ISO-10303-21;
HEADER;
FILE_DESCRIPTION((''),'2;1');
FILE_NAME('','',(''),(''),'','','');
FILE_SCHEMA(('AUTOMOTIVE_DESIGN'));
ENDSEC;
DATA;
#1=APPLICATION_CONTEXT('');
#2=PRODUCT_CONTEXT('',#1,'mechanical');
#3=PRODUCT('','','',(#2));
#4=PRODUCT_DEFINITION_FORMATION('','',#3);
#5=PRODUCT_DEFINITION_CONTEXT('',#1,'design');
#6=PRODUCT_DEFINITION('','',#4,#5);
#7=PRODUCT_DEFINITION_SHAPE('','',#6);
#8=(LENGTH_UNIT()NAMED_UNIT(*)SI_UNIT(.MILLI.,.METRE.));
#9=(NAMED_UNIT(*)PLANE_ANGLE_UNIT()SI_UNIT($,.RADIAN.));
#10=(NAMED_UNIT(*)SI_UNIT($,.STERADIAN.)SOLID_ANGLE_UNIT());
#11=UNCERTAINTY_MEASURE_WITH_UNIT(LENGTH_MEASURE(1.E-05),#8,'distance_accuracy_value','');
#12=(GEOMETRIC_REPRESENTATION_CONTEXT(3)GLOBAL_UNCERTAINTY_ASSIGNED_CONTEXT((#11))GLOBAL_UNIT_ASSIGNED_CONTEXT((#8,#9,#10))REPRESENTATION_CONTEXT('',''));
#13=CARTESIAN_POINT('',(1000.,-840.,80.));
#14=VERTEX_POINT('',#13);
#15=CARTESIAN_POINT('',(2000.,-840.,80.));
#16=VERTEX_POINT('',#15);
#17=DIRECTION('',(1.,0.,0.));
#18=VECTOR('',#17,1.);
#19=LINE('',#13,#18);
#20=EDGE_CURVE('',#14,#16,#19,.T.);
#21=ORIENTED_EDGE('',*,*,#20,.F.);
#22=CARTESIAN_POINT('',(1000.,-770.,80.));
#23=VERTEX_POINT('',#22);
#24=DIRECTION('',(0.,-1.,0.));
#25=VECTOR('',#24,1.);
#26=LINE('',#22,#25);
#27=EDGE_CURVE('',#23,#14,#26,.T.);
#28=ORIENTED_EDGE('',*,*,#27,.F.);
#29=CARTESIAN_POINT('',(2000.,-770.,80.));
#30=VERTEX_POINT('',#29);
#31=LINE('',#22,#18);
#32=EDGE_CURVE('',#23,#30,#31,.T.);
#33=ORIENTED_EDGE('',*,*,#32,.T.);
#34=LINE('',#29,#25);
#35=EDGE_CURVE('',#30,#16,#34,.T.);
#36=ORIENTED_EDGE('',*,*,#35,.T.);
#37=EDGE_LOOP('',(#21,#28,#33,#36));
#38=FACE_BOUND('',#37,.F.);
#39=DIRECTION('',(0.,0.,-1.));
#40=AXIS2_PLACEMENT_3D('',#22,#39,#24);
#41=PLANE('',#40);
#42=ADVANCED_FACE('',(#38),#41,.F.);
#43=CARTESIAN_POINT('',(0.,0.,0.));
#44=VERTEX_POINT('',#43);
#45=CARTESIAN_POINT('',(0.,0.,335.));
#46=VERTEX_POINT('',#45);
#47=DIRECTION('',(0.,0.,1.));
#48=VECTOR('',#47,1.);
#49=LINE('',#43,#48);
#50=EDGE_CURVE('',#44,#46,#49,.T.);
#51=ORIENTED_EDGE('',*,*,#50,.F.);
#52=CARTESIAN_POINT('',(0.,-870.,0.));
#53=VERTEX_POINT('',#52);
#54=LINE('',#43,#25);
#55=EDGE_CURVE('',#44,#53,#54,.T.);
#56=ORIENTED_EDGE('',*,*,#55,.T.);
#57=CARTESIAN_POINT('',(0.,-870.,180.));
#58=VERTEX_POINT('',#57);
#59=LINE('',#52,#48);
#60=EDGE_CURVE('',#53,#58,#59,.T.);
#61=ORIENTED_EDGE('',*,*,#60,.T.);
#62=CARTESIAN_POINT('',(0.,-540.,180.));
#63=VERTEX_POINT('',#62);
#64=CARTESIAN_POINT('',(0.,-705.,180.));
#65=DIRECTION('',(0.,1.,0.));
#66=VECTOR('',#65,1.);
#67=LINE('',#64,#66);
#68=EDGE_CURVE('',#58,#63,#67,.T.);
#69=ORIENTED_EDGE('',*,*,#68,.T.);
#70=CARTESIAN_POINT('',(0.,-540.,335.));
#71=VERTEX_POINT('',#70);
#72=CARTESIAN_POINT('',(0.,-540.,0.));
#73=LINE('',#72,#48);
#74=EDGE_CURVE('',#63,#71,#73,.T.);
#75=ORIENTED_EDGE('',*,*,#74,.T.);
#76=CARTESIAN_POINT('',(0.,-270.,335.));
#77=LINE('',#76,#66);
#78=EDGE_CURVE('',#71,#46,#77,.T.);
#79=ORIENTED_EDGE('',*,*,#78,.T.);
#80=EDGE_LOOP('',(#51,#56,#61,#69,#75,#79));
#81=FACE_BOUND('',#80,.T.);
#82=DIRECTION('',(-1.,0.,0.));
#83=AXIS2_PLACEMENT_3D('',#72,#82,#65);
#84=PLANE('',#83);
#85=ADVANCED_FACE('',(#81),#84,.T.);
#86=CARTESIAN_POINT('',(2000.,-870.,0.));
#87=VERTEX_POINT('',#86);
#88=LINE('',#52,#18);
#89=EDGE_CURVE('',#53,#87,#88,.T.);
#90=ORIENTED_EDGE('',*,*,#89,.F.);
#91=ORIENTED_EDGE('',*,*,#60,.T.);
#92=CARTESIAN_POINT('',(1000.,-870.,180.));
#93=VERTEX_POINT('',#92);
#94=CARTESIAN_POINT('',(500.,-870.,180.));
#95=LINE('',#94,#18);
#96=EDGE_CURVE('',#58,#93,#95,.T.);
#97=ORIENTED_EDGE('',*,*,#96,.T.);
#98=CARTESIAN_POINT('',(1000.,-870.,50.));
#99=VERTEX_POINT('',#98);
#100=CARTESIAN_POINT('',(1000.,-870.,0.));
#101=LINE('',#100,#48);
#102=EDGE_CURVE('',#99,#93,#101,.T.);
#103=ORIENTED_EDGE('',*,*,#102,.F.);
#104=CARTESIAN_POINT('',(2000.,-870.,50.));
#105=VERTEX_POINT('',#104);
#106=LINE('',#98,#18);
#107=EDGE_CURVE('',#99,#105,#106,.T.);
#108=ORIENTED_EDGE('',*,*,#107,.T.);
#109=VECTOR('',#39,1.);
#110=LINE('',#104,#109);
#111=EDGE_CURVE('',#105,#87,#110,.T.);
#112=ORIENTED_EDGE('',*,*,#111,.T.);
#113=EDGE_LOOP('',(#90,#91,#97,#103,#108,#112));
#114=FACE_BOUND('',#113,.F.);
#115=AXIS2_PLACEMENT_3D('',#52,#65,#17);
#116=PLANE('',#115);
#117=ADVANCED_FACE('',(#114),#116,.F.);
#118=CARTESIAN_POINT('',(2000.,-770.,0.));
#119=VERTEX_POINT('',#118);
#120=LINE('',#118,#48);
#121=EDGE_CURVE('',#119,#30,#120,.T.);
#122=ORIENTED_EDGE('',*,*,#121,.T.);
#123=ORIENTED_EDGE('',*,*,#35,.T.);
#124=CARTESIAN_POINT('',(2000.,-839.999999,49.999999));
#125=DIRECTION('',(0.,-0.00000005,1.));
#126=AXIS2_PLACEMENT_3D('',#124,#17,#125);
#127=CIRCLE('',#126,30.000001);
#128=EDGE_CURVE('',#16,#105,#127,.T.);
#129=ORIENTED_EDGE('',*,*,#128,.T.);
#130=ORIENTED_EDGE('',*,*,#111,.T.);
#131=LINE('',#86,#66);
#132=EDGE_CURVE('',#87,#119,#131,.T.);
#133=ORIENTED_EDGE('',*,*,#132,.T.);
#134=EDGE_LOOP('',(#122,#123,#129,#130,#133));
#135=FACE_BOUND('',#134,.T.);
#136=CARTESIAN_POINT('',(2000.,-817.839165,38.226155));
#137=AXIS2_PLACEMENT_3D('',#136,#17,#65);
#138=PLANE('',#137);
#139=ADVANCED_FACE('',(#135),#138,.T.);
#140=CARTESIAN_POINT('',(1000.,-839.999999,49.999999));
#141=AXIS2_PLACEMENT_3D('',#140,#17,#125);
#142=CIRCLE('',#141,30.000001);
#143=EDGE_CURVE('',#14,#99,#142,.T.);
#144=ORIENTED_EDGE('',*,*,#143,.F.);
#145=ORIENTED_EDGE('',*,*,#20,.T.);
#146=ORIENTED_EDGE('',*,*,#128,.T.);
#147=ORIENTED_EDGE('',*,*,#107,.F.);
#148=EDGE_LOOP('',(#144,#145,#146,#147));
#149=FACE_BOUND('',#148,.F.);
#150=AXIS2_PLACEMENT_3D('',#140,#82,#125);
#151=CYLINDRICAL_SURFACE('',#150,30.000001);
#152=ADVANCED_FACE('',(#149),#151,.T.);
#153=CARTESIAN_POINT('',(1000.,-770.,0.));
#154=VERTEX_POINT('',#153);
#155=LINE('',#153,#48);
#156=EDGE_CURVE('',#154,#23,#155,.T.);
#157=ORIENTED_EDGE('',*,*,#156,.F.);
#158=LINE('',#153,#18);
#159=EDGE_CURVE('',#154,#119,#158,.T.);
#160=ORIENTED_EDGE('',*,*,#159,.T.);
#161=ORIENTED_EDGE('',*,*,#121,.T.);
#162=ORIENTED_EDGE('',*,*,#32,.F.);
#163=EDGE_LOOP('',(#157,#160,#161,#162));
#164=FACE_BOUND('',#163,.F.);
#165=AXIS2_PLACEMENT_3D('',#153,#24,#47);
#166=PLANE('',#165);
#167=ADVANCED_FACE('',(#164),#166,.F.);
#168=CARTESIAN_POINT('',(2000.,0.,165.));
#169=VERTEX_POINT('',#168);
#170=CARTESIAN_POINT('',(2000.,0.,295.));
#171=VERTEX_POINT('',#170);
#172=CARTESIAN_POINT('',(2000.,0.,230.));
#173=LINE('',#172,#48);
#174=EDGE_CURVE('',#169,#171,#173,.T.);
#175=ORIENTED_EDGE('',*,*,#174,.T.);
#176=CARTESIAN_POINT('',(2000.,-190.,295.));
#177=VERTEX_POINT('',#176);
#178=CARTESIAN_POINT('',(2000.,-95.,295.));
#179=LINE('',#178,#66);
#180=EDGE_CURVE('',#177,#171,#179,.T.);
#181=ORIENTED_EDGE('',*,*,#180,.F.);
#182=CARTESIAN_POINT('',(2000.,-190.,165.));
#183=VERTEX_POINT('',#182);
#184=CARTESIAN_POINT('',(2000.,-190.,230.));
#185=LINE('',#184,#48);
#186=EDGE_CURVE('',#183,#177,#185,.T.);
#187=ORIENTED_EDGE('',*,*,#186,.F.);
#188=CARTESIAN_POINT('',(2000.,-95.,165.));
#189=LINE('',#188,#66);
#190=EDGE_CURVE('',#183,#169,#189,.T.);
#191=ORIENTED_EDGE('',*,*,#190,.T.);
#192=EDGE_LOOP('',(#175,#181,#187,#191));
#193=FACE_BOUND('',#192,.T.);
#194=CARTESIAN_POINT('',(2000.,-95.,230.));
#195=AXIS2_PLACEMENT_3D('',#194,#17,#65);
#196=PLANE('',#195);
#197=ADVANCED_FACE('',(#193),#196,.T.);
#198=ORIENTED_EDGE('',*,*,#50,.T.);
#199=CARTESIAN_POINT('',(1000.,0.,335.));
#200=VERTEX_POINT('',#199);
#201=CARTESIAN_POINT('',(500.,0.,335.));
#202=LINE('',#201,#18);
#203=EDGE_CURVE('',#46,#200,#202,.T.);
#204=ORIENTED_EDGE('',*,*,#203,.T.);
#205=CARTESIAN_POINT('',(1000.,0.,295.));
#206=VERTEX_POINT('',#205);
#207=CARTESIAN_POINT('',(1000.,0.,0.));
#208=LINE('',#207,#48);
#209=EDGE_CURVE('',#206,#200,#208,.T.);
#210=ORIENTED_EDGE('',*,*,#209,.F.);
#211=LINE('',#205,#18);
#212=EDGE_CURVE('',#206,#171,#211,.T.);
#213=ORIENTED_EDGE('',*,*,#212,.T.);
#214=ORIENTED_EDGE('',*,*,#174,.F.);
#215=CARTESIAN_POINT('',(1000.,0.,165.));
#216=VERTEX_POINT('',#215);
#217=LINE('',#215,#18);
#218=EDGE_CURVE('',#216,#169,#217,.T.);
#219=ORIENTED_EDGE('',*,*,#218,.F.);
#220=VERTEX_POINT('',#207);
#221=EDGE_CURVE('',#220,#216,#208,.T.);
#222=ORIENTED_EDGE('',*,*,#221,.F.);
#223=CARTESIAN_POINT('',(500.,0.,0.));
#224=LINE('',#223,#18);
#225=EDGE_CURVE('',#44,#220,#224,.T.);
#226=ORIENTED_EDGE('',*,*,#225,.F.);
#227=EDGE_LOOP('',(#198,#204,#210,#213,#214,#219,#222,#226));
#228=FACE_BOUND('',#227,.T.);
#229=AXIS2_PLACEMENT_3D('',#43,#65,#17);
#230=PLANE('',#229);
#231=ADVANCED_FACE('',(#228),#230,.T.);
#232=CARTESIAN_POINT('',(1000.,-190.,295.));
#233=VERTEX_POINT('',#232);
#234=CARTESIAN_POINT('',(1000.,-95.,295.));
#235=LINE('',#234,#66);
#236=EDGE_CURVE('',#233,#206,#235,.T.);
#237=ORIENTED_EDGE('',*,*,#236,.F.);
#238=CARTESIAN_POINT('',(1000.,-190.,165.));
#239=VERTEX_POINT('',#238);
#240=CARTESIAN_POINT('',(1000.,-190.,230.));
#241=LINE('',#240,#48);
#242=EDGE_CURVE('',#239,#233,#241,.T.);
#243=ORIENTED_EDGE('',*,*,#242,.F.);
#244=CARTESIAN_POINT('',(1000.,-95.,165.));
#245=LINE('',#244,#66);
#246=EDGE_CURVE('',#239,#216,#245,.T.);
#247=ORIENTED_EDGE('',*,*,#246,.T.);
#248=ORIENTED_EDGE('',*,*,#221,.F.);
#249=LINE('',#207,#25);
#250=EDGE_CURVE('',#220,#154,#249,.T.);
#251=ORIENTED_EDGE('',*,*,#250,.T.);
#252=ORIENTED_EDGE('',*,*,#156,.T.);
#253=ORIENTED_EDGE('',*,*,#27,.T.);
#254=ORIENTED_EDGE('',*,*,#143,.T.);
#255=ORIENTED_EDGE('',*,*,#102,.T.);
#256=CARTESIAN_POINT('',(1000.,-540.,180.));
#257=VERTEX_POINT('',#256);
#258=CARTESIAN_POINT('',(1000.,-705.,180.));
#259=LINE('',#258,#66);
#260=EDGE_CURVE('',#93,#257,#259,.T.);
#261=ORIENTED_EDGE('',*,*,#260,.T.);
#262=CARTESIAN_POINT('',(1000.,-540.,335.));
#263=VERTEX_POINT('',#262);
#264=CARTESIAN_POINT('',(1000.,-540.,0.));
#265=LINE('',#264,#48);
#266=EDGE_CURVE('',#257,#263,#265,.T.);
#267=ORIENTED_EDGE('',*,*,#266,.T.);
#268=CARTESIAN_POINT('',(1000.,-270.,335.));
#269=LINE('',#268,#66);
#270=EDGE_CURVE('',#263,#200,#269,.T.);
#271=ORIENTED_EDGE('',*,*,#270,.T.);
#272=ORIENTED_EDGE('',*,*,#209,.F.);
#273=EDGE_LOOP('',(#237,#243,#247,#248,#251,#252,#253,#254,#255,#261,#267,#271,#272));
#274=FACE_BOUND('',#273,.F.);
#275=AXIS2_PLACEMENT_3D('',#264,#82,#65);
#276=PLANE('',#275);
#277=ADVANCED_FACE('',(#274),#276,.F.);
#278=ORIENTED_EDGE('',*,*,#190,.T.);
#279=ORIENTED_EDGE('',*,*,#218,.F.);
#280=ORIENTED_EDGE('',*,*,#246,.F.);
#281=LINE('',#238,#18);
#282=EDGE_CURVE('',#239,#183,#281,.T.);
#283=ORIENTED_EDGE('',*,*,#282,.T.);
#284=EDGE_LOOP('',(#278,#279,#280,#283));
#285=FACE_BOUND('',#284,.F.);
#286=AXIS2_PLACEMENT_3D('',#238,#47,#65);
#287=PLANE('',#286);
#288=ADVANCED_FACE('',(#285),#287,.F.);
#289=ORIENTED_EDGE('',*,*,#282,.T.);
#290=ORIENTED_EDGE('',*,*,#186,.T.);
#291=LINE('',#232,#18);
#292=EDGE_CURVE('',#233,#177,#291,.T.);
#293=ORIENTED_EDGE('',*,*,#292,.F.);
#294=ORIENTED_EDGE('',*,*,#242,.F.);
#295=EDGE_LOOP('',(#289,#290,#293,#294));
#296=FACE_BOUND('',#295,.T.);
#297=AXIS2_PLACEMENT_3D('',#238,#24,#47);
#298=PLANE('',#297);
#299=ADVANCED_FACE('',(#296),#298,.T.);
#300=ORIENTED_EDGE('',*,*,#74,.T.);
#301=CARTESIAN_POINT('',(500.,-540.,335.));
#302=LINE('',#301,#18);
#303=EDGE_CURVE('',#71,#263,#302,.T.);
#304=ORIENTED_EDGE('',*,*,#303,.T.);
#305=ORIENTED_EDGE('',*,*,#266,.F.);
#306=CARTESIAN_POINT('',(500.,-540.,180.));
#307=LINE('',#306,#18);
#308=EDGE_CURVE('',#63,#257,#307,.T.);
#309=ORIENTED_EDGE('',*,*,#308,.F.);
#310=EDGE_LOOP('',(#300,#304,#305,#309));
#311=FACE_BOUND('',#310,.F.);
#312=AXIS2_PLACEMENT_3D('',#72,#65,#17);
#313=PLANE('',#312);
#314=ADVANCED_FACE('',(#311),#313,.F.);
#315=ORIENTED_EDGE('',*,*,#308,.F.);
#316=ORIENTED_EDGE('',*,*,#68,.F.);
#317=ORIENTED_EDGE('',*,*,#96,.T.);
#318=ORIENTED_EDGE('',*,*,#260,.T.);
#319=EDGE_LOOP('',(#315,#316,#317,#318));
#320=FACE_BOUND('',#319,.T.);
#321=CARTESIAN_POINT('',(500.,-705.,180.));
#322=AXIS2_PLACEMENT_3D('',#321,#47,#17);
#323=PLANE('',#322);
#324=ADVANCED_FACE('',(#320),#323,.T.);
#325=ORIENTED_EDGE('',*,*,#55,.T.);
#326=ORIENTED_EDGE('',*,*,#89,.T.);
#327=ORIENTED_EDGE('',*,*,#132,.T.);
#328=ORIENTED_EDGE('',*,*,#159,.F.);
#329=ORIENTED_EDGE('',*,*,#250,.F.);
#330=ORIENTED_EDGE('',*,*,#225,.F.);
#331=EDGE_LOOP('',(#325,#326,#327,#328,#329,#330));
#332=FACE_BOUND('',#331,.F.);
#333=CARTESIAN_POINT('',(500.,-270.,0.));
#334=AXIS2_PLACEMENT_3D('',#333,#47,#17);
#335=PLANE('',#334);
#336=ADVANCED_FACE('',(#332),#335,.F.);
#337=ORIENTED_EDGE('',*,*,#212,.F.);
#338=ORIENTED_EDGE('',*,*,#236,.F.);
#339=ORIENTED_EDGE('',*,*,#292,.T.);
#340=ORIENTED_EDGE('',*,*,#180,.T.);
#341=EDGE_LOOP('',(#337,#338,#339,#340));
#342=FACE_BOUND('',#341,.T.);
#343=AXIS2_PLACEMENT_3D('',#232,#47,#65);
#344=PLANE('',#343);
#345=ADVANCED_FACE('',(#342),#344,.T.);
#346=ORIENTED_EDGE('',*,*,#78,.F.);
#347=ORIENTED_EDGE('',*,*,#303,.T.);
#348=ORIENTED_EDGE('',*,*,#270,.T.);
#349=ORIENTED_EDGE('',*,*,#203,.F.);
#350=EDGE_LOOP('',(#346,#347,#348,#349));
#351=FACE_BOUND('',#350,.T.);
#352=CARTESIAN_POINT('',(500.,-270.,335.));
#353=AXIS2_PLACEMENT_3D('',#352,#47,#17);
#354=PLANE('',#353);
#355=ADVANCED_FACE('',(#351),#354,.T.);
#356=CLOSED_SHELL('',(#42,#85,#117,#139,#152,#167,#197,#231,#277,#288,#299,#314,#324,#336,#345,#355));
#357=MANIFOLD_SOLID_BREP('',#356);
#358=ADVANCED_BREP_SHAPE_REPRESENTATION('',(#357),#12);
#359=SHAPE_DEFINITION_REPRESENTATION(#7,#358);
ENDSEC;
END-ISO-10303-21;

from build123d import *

# Parameters (mm, degrees)
F0_W     = 1000
F0_H     = 330
F1_DEPTH = 180
F0_H_2   = 540
F2_DEPTH = 335
F3_W     = 190
F3_H     = 130
F4_DEPTH = 1000
F6_DEPTH = 1000


with BuildPart() as f1:
    # F0 (on Top) → F1 (new body)
    with BuildSketch(Plane.XY):
        with Locations((500, -705)):
            Rectangle(F0_W, F0_H)
    extrude(amount=F1_DEPTH)

    # F0 (on Top) → F2 (join)
    with BuildSketch(Plane.XY):
        with Locations((500, -270)):
            Rectangle(F0_W, F0_H_2)
    extrude(amount=F2_DEPTH)

    # F3 (on face) → F4 (join)
    with BuildSketch(Plane.YZ.offset(1000)):
        with Locations((-95, 230)):
            Rectangle(F3_W, F3_H)
    extrude(amount=F4_DEPTH)

    # F3 (on face) → F6 (join)
    with BuildSketch(Plane.YZ.offset(1000)):
        with Locations((-95, 230)):
            Rectangle(F3_W, F3_H)
        with BuildLine():
            Line((-870, 50), (-870, 0))
            Line((-870, 0), (-770, 0))
            Line((-770, 0), (-770, 80))
            Line((-770, 80), (-840, 80))
            ThreePointArc((-840, 80), (-861.213203, 71.213203), (-870, 50))
        make_face()
    extrude(amount=F6_DEPTH)


solid = f1.part
